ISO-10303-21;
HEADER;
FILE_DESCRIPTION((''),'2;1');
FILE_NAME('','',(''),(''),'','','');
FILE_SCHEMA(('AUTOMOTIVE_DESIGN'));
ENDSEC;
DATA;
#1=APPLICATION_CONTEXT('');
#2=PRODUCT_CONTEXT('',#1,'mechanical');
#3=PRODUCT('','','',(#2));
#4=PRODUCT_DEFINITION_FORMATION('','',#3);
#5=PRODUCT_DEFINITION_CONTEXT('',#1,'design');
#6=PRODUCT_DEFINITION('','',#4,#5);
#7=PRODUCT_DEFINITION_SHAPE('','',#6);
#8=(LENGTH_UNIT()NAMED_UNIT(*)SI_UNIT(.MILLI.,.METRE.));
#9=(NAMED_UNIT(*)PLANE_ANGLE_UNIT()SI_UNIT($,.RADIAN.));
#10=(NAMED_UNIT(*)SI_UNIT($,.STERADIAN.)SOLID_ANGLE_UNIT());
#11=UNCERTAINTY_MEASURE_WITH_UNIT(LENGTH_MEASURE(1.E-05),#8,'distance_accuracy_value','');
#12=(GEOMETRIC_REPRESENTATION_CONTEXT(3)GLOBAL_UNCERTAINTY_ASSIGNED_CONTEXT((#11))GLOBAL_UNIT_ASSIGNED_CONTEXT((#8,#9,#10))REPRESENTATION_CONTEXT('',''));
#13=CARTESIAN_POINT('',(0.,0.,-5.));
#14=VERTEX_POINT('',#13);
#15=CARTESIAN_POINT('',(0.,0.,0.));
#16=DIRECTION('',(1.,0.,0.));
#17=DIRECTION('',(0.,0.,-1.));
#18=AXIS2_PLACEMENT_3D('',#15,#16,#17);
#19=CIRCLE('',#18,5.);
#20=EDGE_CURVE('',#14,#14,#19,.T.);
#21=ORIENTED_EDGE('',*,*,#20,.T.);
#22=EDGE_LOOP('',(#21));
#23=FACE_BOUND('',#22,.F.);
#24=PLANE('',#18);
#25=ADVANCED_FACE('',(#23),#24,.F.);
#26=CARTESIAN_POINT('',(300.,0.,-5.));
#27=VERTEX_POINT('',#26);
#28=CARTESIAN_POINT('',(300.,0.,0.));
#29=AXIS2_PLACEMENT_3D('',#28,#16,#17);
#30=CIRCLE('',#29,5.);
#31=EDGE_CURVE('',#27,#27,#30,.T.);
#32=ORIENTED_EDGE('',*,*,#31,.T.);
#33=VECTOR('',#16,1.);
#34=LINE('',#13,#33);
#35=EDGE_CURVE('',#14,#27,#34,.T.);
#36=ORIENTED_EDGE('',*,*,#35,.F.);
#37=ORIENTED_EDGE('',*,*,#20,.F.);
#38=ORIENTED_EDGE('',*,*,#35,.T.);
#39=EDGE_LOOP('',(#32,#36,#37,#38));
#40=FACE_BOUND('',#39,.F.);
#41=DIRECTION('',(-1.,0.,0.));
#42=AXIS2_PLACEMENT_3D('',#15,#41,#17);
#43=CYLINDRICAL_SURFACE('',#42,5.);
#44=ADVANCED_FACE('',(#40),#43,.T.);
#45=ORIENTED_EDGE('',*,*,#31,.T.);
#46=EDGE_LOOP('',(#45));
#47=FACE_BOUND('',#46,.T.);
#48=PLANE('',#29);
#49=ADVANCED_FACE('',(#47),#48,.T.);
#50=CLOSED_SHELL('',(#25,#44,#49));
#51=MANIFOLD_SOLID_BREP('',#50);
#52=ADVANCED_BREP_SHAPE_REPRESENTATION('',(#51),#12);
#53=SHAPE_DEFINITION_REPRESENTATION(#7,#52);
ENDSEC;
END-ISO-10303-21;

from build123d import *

# Parameters (mm, degrees)
SKETCH1_R           = 5
BOSS_EXTRUDE1_DEPTH = 300


with BuildPart() as part:
    # Sketch1 → Boss-Extrude1 (new body)
    with BuildSketch(Plane(origin=(0, 0, 0), x_dir=(0, 0, -1), z_dir=(1, 0, 0))):
        Circle(SKETCH1_R)
    extrude(amount=BOSS_EXTRUDE1_DEPTH)


solid = part.part
